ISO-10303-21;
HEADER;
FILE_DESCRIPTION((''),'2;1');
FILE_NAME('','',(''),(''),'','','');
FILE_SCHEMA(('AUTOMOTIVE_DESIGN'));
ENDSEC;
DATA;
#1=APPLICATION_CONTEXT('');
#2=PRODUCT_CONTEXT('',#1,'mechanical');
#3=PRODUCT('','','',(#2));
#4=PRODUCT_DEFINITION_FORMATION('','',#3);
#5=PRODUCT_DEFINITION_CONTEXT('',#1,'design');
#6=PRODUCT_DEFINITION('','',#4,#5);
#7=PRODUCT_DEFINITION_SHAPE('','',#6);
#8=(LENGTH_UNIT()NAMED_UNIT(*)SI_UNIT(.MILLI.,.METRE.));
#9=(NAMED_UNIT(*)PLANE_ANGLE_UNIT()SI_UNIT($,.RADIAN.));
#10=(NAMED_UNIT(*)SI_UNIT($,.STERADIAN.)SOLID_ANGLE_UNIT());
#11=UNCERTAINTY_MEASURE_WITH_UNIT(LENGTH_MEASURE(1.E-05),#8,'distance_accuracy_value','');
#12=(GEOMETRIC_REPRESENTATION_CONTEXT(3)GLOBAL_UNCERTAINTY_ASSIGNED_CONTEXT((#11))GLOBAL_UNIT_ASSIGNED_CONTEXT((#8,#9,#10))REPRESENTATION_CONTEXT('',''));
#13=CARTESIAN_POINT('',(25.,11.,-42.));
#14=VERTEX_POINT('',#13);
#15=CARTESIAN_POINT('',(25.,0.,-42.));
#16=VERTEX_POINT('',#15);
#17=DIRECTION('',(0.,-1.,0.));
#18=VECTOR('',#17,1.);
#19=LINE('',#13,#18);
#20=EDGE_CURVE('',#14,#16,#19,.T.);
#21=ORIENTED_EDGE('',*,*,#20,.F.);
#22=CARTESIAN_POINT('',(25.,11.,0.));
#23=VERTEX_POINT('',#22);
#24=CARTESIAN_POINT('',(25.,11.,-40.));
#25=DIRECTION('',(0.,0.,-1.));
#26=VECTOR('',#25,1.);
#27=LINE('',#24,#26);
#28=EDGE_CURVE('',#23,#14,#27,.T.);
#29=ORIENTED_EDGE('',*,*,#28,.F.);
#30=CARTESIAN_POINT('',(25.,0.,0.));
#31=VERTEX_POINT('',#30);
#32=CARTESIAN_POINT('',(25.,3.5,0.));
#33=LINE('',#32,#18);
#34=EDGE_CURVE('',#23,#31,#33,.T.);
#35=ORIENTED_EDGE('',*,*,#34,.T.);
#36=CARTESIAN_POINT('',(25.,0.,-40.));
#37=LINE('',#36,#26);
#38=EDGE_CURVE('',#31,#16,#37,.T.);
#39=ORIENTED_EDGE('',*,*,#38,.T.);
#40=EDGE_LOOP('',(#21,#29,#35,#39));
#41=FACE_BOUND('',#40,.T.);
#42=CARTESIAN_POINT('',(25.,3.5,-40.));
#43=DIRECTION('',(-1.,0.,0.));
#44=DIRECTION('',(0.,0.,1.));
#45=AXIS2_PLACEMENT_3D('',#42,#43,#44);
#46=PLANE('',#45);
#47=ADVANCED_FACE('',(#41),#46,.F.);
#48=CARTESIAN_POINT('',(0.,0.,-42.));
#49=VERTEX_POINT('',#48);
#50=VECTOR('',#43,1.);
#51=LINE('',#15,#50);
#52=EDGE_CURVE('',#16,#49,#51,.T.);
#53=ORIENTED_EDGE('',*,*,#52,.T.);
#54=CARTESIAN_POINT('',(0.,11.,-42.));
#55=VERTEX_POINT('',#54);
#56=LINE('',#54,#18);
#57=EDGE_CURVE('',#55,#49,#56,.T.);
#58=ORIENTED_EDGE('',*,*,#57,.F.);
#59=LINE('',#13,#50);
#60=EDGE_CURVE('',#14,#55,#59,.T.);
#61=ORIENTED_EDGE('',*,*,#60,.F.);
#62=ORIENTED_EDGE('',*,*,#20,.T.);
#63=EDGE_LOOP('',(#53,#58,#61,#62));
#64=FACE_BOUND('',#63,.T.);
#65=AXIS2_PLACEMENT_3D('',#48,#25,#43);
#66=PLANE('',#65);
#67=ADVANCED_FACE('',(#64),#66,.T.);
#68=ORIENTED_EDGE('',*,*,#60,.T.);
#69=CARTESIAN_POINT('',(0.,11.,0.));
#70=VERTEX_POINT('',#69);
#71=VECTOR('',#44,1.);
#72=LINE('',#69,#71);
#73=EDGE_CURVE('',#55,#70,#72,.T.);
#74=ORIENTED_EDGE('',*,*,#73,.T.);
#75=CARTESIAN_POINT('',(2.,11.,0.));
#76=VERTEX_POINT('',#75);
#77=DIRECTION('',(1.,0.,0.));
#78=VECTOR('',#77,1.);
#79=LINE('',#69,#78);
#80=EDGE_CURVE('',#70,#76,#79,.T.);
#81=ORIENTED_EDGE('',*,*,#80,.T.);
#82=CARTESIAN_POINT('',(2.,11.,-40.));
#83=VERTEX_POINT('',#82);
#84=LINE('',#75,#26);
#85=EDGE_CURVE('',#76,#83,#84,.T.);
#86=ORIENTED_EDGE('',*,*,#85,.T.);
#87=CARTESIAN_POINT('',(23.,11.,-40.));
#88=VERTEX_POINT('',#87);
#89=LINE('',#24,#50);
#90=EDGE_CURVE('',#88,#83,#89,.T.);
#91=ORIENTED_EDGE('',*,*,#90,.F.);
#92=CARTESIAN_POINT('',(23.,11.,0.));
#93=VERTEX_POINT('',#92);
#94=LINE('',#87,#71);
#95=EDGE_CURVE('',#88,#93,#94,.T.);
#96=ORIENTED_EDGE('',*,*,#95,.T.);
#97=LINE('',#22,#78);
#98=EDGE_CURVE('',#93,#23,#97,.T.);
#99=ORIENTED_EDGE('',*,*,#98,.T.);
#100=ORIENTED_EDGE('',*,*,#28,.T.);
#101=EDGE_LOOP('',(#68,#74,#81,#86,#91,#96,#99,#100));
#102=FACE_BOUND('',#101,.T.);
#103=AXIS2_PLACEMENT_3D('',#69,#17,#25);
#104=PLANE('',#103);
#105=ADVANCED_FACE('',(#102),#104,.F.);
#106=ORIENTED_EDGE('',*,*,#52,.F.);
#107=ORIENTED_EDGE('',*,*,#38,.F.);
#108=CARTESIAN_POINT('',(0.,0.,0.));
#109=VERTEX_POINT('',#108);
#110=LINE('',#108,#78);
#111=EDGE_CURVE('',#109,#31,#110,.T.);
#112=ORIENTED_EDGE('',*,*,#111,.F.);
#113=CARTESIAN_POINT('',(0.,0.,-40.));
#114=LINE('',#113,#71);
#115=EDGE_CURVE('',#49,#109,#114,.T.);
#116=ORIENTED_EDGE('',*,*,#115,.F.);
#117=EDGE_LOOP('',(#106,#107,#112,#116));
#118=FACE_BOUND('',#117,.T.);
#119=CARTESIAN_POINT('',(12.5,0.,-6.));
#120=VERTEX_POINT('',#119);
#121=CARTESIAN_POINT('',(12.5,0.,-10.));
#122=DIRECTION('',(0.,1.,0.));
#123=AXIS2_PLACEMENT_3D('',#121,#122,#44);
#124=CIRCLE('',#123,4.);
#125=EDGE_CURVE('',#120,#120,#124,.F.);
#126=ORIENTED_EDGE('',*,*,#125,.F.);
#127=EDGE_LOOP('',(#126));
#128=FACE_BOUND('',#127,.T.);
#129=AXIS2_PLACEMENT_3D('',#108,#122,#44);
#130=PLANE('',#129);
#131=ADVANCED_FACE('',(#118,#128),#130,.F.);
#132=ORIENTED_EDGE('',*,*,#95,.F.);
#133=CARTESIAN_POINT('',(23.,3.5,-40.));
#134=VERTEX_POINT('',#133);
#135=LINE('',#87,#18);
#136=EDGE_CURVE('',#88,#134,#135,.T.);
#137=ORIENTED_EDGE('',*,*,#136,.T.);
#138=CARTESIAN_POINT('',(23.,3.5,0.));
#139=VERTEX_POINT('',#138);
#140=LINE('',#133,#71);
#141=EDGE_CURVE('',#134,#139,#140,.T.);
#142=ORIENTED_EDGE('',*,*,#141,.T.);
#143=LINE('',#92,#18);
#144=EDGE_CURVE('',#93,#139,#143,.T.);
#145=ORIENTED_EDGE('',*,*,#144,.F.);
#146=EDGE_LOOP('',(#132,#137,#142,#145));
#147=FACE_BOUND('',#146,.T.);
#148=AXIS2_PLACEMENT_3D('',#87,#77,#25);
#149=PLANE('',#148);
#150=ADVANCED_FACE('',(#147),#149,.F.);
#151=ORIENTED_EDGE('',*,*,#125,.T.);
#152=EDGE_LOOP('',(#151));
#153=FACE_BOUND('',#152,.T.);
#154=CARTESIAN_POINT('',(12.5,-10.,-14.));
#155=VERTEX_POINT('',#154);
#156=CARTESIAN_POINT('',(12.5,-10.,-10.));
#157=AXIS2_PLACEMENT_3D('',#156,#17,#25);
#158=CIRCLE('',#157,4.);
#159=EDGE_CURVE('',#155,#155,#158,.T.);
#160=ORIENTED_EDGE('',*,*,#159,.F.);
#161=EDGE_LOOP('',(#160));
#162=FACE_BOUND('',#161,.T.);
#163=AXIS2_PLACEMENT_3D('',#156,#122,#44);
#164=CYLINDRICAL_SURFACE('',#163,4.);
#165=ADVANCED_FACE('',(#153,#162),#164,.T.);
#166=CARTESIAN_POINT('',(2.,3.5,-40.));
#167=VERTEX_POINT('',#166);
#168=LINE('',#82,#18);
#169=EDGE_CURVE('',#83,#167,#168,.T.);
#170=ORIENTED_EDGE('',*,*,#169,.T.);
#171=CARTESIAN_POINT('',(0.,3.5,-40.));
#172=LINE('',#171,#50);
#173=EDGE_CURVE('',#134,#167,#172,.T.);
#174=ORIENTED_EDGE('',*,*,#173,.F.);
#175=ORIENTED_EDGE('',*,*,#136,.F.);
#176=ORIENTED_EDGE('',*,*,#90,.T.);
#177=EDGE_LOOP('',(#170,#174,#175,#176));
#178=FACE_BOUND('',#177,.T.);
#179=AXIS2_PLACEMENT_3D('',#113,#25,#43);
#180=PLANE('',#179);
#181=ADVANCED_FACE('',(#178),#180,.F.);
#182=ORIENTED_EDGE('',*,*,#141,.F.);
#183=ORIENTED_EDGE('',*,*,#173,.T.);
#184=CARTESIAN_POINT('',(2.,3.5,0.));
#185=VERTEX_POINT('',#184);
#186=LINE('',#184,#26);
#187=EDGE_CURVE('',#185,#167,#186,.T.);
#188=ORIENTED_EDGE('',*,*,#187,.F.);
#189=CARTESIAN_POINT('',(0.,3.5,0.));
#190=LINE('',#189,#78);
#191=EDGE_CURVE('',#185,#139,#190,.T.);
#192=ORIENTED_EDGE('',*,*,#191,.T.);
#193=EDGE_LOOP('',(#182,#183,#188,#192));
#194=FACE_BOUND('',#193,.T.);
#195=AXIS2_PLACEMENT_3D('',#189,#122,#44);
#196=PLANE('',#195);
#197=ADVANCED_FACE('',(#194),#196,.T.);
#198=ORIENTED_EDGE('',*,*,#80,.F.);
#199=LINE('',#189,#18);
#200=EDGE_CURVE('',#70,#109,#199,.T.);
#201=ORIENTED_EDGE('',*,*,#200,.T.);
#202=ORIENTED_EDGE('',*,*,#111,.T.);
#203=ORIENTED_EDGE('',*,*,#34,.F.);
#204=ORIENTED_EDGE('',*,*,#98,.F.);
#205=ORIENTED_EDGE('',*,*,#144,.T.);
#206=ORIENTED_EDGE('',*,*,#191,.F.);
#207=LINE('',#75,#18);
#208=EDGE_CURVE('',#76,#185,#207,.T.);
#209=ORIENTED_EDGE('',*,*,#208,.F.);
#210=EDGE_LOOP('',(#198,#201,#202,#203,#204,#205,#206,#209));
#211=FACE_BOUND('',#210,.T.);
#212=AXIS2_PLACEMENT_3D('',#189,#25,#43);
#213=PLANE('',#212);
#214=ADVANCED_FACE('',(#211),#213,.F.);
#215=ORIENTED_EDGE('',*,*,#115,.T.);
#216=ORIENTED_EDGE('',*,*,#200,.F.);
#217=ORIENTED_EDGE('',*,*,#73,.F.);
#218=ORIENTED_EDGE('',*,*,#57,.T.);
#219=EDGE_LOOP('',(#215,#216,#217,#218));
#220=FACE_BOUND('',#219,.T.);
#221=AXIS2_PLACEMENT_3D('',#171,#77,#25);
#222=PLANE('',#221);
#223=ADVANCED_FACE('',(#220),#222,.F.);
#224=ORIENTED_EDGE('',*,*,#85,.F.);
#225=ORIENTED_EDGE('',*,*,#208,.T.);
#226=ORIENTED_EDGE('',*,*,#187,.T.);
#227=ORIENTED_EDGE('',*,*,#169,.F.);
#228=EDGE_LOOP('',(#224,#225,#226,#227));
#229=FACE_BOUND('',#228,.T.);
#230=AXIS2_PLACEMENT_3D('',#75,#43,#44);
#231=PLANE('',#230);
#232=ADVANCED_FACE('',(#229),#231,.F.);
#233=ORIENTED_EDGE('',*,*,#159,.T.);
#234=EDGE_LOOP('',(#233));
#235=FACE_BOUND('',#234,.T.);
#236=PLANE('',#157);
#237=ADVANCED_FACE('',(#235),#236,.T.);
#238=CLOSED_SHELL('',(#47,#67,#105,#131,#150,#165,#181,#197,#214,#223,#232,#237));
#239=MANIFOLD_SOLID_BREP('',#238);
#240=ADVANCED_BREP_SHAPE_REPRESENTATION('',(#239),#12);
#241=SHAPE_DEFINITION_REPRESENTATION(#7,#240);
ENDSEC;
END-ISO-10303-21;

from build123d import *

# Parameters (mm, degrees)
SKETCH1_W           = 25
SKETCH1_H           = 40
BOSS_EXTRUDE1_DEPTH = 3.5
SKETCH2_W           = 2
SKETCH2_H           = 40
BOSS_EXTRUDE2_DEPTH = 7.5
SKETCH3_R           = 4
BOSS_EXTRUDE3_DEPTH = 10
SKETCH4_W           = 25
SKETCH4_H           = 11
BOSS_EXTRUDE4_DEPTH = 2


with BuildPart() as part:
    # Sketch1 → Boss-Extrude1 (new body)
    with BuildSketch(Plane(origin=(0, 0, 0), x_dir=(1, 0, 0), z_dir=(0, 1, 0))):
        with Locations((12.5, 20)):
            Rectangle(SKETCH1_W, SKETCH1_H)
    extrude(amount=BOSS_EXTRUDE1_DEPTH)

    # Sketch2 → Boss-Extrude2 (add)
    with BuildSketch(Plane(origin=(0, 3.5, 0), x_dir=(1, 0, 0), z_dir=(0, 1, 0))):
        with Locations((1, 20)):
            Rectangle(SKETCH2_W, SKETCH2_H)
        with Locations((24, 20)):
            Rectangle(SKETCH2_W, SKETCH2_H)
    extrude(amount=BOSS_EXTRUDE2_DEPTH)

    # Sketch3 → Boss-Extrude3 (add)
    with BuildSketch(Plane(origin=(0, 0, 0), x_dir=(-1, 0, 0), z_dir=(0, -1, 0))):
        with Locations(Location((-12.5, 10, 0), (0, 0, 270))):
            Circle(SKETCH3_R)
    extrude(amount=BOSS_EXTRUDE3_DEPTH)

    # Sketch4 → Boss-Extrude4 (add)
    with BuildSketch(Plane(origin=(0, 0, -40), x_dir=(-1, 0, 0), z_dir=(0, 0, -1))):
        with Locations((-12.5, 5.5)):
            Rectangle(SKETCH4_W, SKETCH4_H)
    extrude(amount=BOSS_EXTRUDE4_DEPTH)


solid = part.part
